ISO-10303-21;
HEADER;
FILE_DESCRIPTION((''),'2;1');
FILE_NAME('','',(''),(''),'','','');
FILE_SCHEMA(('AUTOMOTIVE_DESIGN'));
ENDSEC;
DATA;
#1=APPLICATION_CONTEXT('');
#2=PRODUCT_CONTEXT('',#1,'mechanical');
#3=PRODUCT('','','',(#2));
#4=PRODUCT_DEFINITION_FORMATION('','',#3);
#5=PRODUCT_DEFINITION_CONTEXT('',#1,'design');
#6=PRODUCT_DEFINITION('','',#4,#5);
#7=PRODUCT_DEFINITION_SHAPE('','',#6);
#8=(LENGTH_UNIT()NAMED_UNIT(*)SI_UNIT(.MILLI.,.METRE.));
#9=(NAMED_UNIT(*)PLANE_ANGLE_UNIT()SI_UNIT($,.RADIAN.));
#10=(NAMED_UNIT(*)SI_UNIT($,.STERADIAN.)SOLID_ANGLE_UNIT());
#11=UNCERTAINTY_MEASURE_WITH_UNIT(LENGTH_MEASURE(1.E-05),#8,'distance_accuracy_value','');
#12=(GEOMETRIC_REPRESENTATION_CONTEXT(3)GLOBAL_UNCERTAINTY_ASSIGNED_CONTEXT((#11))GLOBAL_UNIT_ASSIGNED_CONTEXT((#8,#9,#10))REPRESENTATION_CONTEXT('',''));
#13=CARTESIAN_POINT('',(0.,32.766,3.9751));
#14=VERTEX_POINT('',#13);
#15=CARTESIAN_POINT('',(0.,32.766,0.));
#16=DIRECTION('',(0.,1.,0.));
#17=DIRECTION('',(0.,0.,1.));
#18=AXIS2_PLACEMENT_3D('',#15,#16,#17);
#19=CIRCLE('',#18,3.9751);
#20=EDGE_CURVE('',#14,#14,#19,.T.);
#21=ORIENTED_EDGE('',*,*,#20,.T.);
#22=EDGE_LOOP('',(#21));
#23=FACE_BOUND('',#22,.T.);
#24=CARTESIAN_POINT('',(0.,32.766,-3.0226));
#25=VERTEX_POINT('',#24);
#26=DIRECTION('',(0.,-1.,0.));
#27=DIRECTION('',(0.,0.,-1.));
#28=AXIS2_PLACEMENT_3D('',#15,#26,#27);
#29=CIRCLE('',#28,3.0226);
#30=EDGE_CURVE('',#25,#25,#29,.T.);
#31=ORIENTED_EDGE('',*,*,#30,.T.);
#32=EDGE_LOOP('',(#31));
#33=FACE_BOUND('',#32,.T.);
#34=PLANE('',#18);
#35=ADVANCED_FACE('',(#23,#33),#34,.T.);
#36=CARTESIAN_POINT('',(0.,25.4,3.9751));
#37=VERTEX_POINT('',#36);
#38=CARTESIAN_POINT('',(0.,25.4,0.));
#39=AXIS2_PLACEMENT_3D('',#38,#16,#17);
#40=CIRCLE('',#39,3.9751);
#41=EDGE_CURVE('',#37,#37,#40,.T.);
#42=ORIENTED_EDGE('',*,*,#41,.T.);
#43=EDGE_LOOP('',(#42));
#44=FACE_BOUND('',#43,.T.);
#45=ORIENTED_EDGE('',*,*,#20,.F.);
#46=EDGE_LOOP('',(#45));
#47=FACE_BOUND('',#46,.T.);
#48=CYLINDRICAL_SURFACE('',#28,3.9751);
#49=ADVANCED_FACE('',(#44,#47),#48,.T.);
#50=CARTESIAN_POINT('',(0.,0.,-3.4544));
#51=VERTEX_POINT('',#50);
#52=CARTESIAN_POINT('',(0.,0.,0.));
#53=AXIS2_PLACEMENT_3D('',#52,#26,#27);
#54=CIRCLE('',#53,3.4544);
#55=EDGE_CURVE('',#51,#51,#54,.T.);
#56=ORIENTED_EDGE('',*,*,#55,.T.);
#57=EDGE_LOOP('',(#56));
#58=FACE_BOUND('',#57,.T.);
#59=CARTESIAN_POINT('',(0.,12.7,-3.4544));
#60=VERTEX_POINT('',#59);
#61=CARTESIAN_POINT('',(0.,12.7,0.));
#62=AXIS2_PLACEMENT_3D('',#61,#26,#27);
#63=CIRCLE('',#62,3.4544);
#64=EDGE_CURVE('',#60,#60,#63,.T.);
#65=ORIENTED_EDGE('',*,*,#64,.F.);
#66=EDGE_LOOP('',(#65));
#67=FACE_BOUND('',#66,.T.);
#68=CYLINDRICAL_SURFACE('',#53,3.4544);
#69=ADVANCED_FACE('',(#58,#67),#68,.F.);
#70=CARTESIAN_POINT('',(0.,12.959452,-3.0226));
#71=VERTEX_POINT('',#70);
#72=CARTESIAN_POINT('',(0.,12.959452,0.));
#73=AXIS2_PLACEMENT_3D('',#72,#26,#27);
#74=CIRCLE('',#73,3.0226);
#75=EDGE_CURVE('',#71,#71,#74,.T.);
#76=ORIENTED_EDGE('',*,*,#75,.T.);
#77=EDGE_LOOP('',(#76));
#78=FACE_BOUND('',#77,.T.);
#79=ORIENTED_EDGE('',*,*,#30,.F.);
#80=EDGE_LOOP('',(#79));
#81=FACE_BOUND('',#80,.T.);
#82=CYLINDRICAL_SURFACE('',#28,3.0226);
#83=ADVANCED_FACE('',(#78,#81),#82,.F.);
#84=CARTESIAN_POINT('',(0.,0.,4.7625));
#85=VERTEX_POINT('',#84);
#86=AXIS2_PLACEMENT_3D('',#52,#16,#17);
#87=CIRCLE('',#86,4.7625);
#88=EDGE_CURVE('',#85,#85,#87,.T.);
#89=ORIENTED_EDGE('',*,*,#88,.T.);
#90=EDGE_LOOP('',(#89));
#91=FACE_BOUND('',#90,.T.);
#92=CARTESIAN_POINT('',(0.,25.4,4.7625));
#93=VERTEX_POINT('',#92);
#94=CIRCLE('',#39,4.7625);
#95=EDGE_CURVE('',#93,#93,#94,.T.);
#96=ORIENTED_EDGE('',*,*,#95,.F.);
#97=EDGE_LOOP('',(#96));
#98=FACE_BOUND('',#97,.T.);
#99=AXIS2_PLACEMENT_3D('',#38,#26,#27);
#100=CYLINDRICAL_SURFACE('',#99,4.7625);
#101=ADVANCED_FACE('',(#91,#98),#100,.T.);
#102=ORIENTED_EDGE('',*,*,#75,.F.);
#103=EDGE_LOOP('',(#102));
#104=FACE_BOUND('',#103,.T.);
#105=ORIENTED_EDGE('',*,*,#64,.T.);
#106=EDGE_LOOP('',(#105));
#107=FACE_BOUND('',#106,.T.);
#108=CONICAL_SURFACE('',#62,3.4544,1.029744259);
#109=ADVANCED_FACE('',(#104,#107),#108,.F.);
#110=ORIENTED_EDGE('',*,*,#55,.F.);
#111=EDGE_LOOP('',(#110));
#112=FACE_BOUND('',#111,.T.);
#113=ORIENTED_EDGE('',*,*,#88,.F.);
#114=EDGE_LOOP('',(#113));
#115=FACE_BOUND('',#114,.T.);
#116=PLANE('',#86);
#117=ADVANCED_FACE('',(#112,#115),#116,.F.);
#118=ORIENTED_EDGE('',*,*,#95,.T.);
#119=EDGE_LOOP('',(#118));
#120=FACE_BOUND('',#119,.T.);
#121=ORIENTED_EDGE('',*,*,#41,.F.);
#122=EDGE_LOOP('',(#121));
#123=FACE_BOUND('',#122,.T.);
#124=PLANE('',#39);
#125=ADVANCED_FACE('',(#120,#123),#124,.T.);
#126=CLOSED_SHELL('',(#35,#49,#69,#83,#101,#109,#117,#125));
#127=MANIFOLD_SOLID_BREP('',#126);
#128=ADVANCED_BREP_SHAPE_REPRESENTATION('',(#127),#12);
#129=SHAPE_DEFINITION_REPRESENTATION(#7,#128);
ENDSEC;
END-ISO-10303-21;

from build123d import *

# Parameters (mm, degrees)
SKETCH1_R                    = 4.7625
BOSS_EXTRUDE1_DEPTH          = 25.4
SKETCH2_R                    = 3.9751
BOSS_EXTRUDE2_DEPTH          = 7.366
SKETCH3_R                    = 3.0226
CUT_EXTRUDE1_DEPTH           = 33.766
F_5_16_24_TAPPED_HOLE1_D     = 6.9088
F_5_16_24_TAPPED_HOLE1_DEPTH = 12.7
F_5_16_24_TAPPED_HOLE1_TIP   = 2.075612922


with BuildPart() as part:
    # Sketch1 → Boss-Extrude1 (new body)
    with BuildSketch(Plane(origin=(0, 0, 0), x_dir=(1, 0, 0), z_dir=(0, 1, 0))):
        with Locations(Location((0, 0, 0), (0, 0, 270))):  # turned: the seam where the file's is
            Circle(SKETCH1_R)
    extrude(amount=BOSS_EXTRUDE1_DEPTH)

    # Sketch2 → Boss-Extrude2 (add)
    with BuildSketch(Plane(origin=(0, 25.4, 0), x_dir=(1, 0, 0), z_dir=(0, 1, 0))):
        with Locations(Location((0, 0, 0), (0, 0, 270))):  # turned: the seam where the file's is
            Circle(SKETCH2_R)
    extrude(amount=BOSS_EXTRUDE2_DEPTH)

    # Sketch3 → Cut-Extrude1 (cut, through all)
    with BuildSketch(Plane.XZ):
        with Locations(Location((0, 0, 0), (0, 0, 270))):  # turned: the seam where the file's is
            Circle(SKETCH3_R)
    extrude(amount=-CUT_EXTRUDE1_DEPTH, mode=Mode.SUBTRACT)

    # 5/16-24 Tapped Hole1
    with Locations(Plane(origin=(0, 0, 0), x_dir=(-1, 0, 0), z_dir=(0, -1, 0))):
        with Locations((0, 0)):
            Hole(F_5_16_24_TAPPED_HOLE1_D / 2, depth=F_5_16_24_TAPPED_HOLE1_DEPTH)
            with Locations((0, 0, -(F_5_16_24_TAPPED_HOLE1_DEPTH + F_5_16_24_TAPPED_HOLE1_TIP / 2))):  # 118° drill point
                Cone(0, F_5_16_24_TAPPED_HOLE1_D / 2, F_5_16_24_TAPPED_HOLE1_TIP, mode=Mode.SUBTRACT)


solid = part.part
